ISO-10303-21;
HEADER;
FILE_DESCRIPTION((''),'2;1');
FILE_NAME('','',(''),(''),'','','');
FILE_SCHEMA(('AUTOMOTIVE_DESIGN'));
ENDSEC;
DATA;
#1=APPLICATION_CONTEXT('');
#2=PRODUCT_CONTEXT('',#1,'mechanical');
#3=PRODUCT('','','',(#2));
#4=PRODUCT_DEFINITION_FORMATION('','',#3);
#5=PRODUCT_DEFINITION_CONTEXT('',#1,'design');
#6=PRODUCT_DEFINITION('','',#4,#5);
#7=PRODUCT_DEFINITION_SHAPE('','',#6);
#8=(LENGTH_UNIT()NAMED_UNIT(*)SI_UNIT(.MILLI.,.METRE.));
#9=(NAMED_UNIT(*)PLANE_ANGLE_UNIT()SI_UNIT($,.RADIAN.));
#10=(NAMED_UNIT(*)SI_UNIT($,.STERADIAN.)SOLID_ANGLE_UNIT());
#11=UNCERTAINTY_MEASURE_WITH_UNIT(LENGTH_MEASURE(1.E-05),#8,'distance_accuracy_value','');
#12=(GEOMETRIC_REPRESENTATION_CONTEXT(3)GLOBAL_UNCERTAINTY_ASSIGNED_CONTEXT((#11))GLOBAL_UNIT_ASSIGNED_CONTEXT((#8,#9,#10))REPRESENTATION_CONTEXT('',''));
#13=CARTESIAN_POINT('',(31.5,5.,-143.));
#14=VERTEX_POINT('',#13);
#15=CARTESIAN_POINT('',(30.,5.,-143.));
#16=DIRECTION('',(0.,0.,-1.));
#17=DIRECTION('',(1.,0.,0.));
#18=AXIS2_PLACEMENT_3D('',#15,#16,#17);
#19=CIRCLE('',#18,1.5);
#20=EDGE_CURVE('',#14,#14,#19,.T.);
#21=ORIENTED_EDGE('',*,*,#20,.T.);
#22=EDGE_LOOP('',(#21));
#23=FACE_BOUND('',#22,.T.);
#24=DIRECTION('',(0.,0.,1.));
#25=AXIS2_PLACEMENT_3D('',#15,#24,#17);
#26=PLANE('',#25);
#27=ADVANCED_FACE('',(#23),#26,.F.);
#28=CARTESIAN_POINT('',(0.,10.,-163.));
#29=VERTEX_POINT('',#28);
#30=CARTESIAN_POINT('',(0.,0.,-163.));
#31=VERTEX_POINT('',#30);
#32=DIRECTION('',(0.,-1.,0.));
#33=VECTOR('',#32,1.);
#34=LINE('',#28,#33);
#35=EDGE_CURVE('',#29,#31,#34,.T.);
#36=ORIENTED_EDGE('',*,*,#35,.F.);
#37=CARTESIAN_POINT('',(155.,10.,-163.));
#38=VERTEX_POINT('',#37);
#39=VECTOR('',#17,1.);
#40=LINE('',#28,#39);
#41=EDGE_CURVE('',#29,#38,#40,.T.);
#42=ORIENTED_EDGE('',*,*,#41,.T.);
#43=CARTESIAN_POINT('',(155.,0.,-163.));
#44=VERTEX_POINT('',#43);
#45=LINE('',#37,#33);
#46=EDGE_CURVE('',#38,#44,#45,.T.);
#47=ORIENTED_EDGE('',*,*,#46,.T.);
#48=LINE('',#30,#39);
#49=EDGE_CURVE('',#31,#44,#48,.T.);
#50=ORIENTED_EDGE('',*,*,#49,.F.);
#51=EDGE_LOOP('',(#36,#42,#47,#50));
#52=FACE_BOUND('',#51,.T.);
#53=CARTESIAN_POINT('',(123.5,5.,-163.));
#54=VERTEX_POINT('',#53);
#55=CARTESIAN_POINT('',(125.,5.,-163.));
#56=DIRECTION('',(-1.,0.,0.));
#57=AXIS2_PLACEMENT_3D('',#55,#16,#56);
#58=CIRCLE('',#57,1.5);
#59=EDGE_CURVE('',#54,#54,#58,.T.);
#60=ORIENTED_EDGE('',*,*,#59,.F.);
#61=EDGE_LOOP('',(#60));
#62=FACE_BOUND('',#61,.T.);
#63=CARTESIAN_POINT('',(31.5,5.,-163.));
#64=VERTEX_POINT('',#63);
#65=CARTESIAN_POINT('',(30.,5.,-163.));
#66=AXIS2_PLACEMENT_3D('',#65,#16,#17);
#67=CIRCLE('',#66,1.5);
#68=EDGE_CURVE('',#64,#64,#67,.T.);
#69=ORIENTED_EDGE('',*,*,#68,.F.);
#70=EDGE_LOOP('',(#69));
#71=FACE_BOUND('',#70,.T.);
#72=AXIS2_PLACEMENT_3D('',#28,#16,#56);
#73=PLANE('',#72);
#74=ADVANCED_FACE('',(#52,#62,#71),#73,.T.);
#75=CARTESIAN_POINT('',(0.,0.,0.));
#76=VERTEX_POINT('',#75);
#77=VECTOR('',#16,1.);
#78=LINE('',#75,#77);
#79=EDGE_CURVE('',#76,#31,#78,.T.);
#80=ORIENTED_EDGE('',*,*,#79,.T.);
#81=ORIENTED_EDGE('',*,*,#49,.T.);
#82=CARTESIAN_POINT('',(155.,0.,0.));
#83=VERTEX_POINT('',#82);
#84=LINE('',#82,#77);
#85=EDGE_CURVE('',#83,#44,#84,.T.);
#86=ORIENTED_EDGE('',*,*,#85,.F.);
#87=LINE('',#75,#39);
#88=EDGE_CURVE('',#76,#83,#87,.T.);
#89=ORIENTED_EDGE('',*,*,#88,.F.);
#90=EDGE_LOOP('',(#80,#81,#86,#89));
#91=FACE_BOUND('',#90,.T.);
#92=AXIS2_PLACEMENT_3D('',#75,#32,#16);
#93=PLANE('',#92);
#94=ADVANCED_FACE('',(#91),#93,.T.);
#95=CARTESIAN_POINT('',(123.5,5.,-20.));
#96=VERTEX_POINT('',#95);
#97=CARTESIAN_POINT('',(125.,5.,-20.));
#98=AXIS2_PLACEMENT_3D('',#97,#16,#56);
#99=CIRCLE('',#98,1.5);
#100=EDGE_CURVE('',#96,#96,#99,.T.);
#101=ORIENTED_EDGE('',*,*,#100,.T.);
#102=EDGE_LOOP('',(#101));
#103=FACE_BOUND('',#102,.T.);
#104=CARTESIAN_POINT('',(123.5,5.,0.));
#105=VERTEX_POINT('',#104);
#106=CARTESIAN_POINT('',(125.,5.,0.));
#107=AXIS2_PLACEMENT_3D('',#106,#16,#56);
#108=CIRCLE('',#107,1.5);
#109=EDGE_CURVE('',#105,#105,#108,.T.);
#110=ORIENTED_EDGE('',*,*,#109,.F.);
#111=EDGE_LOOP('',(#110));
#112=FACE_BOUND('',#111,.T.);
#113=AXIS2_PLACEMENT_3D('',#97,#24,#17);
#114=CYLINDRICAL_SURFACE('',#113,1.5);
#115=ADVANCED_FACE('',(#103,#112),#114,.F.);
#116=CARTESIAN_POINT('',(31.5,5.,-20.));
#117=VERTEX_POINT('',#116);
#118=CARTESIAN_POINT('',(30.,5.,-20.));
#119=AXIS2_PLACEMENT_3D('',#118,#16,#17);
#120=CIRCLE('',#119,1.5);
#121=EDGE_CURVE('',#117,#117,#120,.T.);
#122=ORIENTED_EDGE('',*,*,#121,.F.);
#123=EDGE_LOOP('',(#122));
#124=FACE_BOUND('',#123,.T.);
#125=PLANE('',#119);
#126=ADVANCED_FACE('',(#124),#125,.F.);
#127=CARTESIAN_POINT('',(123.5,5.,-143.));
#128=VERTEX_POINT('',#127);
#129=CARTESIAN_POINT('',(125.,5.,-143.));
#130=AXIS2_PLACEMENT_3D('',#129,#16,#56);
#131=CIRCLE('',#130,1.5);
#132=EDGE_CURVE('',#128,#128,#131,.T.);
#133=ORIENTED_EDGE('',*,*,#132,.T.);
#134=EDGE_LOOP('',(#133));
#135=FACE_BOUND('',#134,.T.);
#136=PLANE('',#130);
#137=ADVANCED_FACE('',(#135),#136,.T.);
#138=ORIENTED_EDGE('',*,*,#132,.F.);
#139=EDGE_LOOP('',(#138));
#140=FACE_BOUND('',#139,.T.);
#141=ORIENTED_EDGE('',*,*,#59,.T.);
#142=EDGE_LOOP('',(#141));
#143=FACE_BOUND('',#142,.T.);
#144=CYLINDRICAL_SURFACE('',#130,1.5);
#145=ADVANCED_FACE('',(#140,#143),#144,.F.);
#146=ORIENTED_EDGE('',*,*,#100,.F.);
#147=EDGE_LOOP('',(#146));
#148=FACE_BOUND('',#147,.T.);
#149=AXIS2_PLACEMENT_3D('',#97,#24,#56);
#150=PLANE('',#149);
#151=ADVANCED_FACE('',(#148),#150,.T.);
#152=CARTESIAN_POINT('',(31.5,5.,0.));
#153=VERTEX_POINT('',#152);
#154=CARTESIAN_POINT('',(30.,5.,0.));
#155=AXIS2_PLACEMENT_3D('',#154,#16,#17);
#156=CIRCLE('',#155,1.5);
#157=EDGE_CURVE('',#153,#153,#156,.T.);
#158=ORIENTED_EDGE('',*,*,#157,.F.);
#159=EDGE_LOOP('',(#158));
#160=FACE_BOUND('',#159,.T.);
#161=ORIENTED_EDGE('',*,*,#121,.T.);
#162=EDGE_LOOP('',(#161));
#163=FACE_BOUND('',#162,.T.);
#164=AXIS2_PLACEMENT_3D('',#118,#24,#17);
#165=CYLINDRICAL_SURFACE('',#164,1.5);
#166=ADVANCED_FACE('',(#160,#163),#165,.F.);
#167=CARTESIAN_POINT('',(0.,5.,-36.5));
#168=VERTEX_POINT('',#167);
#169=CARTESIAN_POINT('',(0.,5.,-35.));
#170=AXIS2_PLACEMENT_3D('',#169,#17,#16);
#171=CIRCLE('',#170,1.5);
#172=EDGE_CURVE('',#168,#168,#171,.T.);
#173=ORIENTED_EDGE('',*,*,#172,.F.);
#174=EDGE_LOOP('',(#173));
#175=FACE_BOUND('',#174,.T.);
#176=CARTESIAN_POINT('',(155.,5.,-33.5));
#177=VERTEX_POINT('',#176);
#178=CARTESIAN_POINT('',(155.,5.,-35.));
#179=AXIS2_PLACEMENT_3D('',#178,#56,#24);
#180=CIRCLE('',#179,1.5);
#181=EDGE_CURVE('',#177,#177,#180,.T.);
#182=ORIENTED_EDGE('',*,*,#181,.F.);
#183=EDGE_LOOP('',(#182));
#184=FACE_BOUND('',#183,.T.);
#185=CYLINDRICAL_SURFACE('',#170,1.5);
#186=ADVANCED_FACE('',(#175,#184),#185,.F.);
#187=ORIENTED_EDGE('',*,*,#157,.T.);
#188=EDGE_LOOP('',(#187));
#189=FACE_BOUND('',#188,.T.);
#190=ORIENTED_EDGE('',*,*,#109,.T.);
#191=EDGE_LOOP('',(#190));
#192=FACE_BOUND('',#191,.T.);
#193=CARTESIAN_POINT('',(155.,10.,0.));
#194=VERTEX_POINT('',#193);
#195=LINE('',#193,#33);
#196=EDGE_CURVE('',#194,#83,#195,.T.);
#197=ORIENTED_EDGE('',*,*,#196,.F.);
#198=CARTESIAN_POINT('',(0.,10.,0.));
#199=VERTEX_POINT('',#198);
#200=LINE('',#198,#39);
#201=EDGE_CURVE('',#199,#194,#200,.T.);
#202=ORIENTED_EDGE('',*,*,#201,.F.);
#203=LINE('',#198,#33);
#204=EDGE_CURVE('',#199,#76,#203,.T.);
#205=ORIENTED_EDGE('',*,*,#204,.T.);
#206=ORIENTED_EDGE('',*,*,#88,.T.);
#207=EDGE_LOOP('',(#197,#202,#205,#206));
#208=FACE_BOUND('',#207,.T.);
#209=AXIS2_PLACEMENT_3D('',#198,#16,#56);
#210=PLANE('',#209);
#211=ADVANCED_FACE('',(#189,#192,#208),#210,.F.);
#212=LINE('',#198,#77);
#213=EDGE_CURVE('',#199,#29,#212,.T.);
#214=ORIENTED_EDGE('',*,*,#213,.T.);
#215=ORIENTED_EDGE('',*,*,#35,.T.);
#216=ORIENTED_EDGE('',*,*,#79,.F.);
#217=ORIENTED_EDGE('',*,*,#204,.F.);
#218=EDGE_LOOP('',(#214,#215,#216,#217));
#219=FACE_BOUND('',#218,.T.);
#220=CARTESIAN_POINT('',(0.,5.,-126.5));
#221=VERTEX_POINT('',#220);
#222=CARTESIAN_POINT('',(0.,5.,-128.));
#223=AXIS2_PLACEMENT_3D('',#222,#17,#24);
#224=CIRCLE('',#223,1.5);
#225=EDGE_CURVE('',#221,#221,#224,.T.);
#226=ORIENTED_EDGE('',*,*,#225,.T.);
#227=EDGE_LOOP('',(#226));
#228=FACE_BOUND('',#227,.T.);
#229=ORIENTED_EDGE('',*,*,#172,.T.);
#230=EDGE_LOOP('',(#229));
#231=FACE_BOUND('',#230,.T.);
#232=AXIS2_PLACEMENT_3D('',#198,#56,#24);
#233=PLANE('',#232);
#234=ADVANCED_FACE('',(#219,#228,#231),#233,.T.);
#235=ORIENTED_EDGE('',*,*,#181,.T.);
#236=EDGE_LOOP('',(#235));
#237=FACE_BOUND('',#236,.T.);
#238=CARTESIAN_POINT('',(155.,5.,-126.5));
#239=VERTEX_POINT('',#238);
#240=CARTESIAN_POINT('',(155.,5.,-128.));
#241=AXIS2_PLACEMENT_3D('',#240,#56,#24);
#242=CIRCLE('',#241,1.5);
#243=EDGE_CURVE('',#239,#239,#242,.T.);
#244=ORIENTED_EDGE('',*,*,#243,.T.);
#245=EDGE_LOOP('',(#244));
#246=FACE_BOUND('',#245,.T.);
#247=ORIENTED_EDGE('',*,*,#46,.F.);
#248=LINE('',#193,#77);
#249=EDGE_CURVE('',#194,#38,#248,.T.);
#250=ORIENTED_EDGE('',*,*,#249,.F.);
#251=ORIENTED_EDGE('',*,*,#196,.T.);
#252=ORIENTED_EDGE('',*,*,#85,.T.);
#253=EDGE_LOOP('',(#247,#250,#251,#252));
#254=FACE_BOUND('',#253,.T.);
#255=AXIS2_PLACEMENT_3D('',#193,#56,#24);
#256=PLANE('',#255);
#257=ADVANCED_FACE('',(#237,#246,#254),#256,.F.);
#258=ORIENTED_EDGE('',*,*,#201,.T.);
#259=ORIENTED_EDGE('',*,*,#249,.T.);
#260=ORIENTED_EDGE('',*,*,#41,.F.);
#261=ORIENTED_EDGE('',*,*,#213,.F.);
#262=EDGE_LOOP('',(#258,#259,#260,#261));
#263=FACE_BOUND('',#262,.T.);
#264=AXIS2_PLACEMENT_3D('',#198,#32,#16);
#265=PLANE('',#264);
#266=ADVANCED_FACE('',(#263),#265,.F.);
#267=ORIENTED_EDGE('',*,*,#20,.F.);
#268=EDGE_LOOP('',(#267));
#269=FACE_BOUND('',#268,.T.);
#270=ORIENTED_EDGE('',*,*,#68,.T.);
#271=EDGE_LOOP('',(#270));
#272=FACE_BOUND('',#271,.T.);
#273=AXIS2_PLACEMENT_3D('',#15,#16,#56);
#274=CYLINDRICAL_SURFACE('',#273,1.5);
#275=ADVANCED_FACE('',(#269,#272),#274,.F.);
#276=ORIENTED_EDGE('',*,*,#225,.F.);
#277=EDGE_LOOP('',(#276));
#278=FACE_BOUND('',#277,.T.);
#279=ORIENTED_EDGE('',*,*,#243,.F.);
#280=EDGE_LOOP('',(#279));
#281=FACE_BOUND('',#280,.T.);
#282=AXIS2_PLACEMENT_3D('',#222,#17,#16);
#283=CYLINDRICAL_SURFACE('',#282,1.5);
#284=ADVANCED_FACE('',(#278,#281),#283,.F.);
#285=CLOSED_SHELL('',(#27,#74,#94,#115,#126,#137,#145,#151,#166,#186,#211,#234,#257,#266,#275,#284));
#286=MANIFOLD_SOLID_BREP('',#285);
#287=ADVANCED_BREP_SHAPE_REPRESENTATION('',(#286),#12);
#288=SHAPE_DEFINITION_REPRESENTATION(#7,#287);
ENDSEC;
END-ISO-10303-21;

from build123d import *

# Parameters (mm, degrees)
SKETCH1_W               = 155
SKETCH1_H               = 163
BOSS_EXTRUDE1_DEPTH     = 10
SKETCH2_R               = 1.5
CUT_EXTRUDE1_DEPTH      = 20
CUT_EXTRUDE2_DEPTH      = 226.153281122
CUT_EXTRUDE2_DEPTH_BACK = 226.153281122
SKETCH3_R               = 1.5


with BuildPart() as part:
    # Sketch1 → Boss-Extrude1 (new body)
    with BuildSketch(Plane(origin=(0, 0, 0), x_dir=(1, 0, 0), z_dir=(0, 1, 0))):
        with Locations((77.5, 81.5)):
            Rectangle(SKETCH1_W, SKETCH1_H)
    extrude(amount=BOSS_EXTRUDE1_DEPTH)

    # Sketch2 → Cut-Extrude1 (cut)
    with BuildSketch(Plane(origin=(0, 0, -163), x_dir=(-1, 0, 0), z_dir=(0, 0, -1))):
        with Locations((-125, 5)):
            Circle(SKETCH2_R)
        with Locations(Location((-30, 5, 0), (0, 0, 180))):
            Circle(SKETCH2_R)
    cut_extrude1 = extrude(amount=-CUT_EXTRUDE1_DEPTH, mode=Mode.SUBTRACT)

    # Mirror1: Cut-Extrude1 across plane
    add(cut_extrude1.mirror(Plane(origin=(0, 0, -81.5), x_dir=(1, 0, 0), z_dir=(0, 0, -1))), mode=Mode.SUBTRACT)

    # Sketch3 → Cut-Extrude2 (cut, two sides: drawn at the far end of the back side and taken through both)
    with BuildSketch(Plane(origin=(155, 0, 0), x_dir=(0, 0, -1), z_dir=(1, 0, 0)).offset(-CUT_EXTRUDE2_DEPTH_BACK)):
        with Locations((35, 5)):
            Circle(SKETCH3_R)
        with Locations(Location((128, 5, 0), (0, 0, 180))):
            Circle(SKETCH3_R)
    extrude(amount=CUT_EXTRUDE2_DEPTH + CUT_EXTRUDE2_DEPTH_BACK, mode=Mode.SUBTRACT)


solid = part.part
